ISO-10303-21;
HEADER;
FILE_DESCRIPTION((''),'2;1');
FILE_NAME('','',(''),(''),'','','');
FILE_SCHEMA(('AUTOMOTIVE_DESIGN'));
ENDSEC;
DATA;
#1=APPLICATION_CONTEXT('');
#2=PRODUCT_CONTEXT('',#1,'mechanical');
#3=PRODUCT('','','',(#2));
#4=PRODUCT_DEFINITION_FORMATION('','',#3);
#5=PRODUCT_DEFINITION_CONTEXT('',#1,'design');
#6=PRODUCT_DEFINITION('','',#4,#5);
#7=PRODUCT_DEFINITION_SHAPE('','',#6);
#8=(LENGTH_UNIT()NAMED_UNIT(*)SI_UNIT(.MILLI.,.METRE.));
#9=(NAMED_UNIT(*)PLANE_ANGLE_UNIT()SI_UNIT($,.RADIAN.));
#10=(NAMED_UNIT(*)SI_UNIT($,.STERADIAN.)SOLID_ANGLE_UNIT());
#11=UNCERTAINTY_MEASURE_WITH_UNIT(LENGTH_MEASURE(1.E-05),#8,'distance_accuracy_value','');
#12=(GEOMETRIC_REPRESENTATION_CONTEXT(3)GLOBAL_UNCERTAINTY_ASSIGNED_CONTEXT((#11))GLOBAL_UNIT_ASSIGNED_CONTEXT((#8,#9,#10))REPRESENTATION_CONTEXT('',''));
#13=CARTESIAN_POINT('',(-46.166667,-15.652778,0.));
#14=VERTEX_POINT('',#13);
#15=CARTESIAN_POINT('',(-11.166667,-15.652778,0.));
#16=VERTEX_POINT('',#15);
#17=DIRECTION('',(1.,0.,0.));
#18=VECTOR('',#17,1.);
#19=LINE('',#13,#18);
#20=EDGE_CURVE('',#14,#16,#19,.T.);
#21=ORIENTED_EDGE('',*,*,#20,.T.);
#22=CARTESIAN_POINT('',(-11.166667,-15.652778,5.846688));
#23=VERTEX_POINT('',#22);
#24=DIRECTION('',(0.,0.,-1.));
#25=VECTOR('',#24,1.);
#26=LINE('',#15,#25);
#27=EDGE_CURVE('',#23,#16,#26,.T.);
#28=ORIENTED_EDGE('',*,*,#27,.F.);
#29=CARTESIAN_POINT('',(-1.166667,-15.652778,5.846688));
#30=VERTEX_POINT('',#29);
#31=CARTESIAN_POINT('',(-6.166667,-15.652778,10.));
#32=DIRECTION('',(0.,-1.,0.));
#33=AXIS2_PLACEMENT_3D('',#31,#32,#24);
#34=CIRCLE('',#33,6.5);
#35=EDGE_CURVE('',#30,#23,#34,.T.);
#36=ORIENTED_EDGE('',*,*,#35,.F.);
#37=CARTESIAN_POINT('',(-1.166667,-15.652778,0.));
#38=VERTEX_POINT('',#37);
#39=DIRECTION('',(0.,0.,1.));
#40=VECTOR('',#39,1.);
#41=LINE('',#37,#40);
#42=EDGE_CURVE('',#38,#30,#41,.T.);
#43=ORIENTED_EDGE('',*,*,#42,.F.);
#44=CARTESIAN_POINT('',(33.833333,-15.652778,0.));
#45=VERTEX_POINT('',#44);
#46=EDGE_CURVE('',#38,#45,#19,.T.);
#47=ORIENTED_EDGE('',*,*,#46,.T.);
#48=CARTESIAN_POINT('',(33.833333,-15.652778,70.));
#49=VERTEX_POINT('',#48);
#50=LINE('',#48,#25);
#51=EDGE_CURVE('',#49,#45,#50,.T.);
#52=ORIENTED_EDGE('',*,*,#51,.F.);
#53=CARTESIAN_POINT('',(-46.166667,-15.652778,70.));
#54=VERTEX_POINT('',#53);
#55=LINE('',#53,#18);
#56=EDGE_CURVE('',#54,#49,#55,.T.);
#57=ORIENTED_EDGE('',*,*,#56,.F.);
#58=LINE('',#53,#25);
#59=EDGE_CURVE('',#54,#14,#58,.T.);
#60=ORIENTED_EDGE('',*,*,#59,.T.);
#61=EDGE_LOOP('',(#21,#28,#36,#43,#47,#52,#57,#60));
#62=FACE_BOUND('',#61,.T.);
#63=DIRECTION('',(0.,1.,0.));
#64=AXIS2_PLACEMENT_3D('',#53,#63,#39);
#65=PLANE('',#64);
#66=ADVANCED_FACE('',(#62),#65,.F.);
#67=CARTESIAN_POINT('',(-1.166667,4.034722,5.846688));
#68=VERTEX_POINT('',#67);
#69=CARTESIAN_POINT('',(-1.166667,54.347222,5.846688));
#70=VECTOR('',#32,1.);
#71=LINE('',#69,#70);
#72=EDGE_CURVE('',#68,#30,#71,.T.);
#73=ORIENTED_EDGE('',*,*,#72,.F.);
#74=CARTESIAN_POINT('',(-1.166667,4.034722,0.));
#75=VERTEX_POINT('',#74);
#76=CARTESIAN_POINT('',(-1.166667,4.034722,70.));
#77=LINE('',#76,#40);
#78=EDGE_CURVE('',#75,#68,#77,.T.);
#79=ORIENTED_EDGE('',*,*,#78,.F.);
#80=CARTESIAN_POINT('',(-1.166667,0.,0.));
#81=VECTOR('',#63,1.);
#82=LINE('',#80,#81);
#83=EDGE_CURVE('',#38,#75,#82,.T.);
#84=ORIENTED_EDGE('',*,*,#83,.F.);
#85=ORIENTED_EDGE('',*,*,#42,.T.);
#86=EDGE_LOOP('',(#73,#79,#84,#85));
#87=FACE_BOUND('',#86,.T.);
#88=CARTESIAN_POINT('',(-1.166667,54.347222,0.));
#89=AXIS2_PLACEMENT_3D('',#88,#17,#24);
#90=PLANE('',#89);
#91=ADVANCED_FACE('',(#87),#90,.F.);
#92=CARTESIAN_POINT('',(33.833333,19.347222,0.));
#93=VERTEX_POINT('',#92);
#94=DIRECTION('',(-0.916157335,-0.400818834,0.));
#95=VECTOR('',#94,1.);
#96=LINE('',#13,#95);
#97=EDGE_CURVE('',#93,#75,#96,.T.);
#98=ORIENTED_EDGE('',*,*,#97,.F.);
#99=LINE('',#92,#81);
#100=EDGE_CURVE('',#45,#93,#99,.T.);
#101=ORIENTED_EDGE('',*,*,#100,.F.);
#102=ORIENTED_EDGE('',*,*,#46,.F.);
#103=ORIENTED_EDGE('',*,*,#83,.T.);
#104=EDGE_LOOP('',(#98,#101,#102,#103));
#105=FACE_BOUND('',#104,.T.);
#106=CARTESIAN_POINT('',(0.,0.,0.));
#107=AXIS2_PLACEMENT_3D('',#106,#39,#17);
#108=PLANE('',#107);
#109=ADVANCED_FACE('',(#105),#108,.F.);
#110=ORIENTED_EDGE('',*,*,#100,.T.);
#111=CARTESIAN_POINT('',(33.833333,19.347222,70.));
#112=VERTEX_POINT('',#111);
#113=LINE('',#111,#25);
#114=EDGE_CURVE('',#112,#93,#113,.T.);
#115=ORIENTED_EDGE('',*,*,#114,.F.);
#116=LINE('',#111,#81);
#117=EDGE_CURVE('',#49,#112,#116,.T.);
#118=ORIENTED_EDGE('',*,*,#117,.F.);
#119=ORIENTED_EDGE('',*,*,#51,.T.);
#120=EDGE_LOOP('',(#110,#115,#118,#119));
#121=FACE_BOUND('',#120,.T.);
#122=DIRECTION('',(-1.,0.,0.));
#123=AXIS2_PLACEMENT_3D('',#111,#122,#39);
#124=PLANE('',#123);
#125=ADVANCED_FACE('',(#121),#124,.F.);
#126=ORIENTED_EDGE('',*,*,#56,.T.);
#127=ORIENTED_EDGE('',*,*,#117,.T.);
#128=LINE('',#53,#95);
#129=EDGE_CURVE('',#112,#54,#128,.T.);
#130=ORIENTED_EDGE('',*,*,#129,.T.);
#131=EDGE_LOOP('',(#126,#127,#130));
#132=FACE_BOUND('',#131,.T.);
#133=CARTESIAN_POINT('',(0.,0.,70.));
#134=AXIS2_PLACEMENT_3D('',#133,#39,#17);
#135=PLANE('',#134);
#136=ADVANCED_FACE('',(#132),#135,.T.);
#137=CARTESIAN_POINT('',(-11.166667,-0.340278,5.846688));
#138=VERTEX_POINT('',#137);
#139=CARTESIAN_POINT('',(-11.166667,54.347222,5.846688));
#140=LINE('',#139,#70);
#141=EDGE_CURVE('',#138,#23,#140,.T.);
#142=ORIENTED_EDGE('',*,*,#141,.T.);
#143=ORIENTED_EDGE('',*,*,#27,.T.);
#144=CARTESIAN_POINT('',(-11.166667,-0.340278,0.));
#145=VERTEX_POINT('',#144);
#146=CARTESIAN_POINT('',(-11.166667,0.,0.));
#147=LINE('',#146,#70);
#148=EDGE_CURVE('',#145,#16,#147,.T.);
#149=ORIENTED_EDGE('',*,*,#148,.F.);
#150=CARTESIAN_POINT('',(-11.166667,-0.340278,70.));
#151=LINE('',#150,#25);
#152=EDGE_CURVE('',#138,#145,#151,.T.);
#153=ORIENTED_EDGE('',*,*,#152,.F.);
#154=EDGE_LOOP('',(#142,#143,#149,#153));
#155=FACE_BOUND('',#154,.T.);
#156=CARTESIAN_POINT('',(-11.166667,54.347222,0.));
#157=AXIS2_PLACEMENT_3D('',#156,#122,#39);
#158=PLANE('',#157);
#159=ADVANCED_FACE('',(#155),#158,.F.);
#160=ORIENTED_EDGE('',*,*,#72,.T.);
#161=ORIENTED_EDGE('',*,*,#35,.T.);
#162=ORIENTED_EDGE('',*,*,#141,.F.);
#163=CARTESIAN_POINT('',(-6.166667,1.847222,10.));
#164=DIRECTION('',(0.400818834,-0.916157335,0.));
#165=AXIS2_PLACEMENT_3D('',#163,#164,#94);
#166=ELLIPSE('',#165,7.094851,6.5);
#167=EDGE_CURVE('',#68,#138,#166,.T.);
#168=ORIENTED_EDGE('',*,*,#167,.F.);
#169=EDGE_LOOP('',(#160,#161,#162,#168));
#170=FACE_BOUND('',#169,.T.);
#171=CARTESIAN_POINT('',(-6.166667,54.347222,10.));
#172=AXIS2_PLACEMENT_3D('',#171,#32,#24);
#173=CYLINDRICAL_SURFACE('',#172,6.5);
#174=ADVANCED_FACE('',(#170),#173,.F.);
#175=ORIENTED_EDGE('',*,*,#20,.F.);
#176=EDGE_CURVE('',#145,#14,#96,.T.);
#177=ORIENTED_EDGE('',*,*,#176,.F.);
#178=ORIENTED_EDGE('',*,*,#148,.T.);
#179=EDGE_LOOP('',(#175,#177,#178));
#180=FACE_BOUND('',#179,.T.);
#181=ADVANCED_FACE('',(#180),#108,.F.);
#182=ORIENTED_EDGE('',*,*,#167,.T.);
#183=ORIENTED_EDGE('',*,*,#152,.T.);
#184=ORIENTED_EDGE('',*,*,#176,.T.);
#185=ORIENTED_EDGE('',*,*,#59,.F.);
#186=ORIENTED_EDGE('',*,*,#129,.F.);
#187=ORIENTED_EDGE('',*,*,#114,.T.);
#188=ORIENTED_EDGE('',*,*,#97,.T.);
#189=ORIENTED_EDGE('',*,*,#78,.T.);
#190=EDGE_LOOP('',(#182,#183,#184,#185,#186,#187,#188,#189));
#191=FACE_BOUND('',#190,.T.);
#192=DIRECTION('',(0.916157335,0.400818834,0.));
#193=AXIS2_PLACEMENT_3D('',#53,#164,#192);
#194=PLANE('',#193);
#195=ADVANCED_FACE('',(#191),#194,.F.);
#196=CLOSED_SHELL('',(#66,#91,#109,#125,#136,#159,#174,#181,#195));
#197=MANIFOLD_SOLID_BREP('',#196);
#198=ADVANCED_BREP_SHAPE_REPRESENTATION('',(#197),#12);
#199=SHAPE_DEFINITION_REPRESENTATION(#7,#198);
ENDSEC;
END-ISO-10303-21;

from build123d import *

# Parameters (mm, degrees)
RESSALTO_EXTRUS_O1_DEPTH = 70
CORTE_EXTRUS_O1_DEPTH    = 70


with BuildPart() as part:
    # Esboço1 → Ressalto-extrusão1 (new body)
    with BuildSketch(Plane.XY):
        Polygon((-46.166666667, -15.652777778), (33.833333333, 19.347222222), (33.833333333, -15.652777778), align=None)
    extrude(amount=RESSALTO_EXTRUS_O1_DEPTH)

    # Esboço2 → Corte-extrusão1 (cut)
    with BuildSketch(Plane.XZ.offset(15.652777778)):
        with BuildLine():
            Line((-11.166666667, 0), (-1.166666667, 0))
            Line((-1.166666667, 0), (-1.166666667, 5.846688069))
            ThreePointArc((-1.166666667, 5.846688069), (-6.166666667, 16.5), (-11.166666667, 5.846688069))
            Line((-11.166666667, 5.846688069), (-11.166666667, 0))
        make_face()
    extrude(amount=-CORTE_EXTRUS_O1_DEPTH, mode=Mode.SUBTRACT)


solid = part.part
